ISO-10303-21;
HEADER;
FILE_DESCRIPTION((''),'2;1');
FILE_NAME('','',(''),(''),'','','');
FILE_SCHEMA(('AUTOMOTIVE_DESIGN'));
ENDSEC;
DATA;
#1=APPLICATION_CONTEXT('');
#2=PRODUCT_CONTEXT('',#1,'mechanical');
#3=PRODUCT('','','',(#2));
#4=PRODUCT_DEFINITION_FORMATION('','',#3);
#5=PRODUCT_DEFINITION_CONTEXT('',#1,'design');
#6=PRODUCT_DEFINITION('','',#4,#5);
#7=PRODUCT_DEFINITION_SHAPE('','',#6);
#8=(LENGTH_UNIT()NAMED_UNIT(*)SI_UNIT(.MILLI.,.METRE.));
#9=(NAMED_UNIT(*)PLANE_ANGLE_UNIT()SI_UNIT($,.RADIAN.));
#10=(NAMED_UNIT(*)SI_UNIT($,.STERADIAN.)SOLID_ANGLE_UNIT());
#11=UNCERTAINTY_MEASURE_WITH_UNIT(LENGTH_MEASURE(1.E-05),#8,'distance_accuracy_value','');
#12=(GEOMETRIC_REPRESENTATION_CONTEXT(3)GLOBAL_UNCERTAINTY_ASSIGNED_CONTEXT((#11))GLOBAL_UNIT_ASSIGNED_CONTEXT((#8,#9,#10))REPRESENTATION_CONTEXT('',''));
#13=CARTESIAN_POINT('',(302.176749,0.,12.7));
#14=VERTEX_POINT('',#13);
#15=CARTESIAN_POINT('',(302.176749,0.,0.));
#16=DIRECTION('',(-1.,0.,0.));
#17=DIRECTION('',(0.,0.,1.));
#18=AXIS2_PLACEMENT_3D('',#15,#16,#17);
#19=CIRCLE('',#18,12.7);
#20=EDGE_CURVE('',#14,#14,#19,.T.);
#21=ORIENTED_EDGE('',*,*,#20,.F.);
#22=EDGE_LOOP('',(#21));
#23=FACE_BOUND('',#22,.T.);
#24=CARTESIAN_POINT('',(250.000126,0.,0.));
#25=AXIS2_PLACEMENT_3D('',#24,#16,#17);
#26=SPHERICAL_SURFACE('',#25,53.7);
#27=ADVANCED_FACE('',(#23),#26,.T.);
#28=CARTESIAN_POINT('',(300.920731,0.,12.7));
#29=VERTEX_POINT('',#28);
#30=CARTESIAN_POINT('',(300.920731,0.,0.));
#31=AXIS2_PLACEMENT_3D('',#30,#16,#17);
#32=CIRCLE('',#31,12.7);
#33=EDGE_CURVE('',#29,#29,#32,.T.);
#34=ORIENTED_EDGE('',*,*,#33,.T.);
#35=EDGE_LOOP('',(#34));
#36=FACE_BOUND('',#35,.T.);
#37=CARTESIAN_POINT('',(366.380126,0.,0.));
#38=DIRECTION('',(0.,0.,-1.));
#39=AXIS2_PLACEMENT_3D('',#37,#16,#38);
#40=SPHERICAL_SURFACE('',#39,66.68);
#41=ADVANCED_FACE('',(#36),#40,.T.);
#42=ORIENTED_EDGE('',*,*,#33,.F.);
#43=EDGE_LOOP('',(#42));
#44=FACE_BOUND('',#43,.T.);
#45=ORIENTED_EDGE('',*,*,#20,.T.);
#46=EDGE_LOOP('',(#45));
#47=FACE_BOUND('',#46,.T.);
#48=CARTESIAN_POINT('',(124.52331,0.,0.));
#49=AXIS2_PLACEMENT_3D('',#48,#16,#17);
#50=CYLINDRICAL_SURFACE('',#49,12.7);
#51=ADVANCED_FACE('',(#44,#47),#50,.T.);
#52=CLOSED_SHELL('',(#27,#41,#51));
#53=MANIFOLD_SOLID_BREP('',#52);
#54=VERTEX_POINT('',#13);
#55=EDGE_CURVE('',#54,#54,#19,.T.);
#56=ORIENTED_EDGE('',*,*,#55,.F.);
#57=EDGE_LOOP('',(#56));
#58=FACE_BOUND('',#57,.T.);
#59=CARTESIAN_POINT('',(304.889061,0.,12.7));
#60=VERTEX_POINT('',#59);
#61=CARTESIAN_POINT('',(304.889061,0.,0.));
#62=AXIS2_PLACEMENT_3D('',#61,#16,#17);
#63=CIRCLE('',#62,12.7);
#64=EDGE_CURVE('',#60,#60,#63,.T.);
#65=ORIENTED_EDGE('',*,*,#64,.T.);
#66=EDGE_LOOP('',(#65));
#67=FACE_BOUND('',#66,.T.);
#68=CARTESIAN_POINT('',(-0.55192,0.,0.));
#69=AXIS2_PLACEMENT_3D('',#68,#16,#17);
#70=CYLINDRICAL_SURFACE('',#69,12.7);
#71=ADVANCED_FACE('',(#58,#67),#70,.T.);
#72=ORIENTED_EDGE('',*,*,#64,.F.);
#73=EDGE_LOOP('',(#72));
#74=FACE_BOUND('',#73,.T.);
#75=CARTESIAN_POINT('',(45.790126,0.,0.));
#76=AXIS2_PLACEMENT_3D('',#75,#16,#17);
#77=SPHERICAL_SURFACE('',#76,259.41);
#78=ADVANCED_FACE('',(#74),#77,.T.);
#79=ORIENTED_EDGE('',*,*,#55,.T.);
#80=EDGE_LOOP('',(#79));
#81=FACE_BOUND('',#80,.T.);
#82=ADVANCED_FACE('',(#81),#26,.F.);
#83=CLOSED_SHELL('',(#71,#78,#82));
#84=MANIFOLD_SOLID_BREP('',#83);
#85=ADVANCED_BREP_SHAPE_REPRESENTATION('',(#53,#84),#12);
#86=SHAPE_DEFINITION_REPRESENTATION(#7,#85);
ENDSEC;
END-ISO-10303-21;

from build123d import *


with BuildPart() as part:
    # 草图1 one side → 旋转1 (revolve)
    with BuildSketch(Plane(origin=(0, 0, 0), x_dir=(1, 0, 0), z_dir=(0, 1, 0)), mode=Mode.PRIVATE) as revolve_1_sk:
        with BuildLine():
            ThreePointArc((300.92073089, 12.7), (300.00597863, 6.379260859), (299.700125938, 0))
            Line((299.700125938, 0), (303.700125938, 0))
            ThreePointArc((303.700125938, 0), (303.317921567, 6.395519469), (302.176749056, 12.7))
            Line((302.176749056, 12.7), (300.92073089, 12.7))
        make_face()
    revolve(revolve_1_sk.sketch.rotate(Axis((124.523309526, 0, 0), (1, 0, 0)), 180), axis=Axis((124.523309526, 0, 0), (1, 0, 0)))  # turned: the seam where the file's is


with BuildPart() as body_2:
    # 草图2 one side → 旋转3 (revolve)
    with BuildSketch(Plane(origin=(0, 0, 0), x_dir=(1, 0, 0), z_dir=(0, 1, 0)), mode=Mode.PRIVATE) as revolve_3_sk:
        with BuildLine():
            Line((304.889060903, 12.7), (302.176749056, 12.7))
            ThreePointArc((302.176749056, 12.7), (303.317921567, 6.395519469), (303.700125938, 0))
            Line((303.700125938, 0), (305.200125938, 0))
            ThreePointArc((305.200125938, 0), (305.122348019, 6.351904467), (304.889060903, 12.7))
        make_face()
    revolve(revolve_3_sk.sketch.rotate(Axis((-0.551919993, 0, 0), (1, 0, 0)), 180), axis=Axis((-0.551919993, 0, 0), (1, 0, 0)))  # turned: the seam where the file's is


solid = Compound([part.part, body_2.part])
